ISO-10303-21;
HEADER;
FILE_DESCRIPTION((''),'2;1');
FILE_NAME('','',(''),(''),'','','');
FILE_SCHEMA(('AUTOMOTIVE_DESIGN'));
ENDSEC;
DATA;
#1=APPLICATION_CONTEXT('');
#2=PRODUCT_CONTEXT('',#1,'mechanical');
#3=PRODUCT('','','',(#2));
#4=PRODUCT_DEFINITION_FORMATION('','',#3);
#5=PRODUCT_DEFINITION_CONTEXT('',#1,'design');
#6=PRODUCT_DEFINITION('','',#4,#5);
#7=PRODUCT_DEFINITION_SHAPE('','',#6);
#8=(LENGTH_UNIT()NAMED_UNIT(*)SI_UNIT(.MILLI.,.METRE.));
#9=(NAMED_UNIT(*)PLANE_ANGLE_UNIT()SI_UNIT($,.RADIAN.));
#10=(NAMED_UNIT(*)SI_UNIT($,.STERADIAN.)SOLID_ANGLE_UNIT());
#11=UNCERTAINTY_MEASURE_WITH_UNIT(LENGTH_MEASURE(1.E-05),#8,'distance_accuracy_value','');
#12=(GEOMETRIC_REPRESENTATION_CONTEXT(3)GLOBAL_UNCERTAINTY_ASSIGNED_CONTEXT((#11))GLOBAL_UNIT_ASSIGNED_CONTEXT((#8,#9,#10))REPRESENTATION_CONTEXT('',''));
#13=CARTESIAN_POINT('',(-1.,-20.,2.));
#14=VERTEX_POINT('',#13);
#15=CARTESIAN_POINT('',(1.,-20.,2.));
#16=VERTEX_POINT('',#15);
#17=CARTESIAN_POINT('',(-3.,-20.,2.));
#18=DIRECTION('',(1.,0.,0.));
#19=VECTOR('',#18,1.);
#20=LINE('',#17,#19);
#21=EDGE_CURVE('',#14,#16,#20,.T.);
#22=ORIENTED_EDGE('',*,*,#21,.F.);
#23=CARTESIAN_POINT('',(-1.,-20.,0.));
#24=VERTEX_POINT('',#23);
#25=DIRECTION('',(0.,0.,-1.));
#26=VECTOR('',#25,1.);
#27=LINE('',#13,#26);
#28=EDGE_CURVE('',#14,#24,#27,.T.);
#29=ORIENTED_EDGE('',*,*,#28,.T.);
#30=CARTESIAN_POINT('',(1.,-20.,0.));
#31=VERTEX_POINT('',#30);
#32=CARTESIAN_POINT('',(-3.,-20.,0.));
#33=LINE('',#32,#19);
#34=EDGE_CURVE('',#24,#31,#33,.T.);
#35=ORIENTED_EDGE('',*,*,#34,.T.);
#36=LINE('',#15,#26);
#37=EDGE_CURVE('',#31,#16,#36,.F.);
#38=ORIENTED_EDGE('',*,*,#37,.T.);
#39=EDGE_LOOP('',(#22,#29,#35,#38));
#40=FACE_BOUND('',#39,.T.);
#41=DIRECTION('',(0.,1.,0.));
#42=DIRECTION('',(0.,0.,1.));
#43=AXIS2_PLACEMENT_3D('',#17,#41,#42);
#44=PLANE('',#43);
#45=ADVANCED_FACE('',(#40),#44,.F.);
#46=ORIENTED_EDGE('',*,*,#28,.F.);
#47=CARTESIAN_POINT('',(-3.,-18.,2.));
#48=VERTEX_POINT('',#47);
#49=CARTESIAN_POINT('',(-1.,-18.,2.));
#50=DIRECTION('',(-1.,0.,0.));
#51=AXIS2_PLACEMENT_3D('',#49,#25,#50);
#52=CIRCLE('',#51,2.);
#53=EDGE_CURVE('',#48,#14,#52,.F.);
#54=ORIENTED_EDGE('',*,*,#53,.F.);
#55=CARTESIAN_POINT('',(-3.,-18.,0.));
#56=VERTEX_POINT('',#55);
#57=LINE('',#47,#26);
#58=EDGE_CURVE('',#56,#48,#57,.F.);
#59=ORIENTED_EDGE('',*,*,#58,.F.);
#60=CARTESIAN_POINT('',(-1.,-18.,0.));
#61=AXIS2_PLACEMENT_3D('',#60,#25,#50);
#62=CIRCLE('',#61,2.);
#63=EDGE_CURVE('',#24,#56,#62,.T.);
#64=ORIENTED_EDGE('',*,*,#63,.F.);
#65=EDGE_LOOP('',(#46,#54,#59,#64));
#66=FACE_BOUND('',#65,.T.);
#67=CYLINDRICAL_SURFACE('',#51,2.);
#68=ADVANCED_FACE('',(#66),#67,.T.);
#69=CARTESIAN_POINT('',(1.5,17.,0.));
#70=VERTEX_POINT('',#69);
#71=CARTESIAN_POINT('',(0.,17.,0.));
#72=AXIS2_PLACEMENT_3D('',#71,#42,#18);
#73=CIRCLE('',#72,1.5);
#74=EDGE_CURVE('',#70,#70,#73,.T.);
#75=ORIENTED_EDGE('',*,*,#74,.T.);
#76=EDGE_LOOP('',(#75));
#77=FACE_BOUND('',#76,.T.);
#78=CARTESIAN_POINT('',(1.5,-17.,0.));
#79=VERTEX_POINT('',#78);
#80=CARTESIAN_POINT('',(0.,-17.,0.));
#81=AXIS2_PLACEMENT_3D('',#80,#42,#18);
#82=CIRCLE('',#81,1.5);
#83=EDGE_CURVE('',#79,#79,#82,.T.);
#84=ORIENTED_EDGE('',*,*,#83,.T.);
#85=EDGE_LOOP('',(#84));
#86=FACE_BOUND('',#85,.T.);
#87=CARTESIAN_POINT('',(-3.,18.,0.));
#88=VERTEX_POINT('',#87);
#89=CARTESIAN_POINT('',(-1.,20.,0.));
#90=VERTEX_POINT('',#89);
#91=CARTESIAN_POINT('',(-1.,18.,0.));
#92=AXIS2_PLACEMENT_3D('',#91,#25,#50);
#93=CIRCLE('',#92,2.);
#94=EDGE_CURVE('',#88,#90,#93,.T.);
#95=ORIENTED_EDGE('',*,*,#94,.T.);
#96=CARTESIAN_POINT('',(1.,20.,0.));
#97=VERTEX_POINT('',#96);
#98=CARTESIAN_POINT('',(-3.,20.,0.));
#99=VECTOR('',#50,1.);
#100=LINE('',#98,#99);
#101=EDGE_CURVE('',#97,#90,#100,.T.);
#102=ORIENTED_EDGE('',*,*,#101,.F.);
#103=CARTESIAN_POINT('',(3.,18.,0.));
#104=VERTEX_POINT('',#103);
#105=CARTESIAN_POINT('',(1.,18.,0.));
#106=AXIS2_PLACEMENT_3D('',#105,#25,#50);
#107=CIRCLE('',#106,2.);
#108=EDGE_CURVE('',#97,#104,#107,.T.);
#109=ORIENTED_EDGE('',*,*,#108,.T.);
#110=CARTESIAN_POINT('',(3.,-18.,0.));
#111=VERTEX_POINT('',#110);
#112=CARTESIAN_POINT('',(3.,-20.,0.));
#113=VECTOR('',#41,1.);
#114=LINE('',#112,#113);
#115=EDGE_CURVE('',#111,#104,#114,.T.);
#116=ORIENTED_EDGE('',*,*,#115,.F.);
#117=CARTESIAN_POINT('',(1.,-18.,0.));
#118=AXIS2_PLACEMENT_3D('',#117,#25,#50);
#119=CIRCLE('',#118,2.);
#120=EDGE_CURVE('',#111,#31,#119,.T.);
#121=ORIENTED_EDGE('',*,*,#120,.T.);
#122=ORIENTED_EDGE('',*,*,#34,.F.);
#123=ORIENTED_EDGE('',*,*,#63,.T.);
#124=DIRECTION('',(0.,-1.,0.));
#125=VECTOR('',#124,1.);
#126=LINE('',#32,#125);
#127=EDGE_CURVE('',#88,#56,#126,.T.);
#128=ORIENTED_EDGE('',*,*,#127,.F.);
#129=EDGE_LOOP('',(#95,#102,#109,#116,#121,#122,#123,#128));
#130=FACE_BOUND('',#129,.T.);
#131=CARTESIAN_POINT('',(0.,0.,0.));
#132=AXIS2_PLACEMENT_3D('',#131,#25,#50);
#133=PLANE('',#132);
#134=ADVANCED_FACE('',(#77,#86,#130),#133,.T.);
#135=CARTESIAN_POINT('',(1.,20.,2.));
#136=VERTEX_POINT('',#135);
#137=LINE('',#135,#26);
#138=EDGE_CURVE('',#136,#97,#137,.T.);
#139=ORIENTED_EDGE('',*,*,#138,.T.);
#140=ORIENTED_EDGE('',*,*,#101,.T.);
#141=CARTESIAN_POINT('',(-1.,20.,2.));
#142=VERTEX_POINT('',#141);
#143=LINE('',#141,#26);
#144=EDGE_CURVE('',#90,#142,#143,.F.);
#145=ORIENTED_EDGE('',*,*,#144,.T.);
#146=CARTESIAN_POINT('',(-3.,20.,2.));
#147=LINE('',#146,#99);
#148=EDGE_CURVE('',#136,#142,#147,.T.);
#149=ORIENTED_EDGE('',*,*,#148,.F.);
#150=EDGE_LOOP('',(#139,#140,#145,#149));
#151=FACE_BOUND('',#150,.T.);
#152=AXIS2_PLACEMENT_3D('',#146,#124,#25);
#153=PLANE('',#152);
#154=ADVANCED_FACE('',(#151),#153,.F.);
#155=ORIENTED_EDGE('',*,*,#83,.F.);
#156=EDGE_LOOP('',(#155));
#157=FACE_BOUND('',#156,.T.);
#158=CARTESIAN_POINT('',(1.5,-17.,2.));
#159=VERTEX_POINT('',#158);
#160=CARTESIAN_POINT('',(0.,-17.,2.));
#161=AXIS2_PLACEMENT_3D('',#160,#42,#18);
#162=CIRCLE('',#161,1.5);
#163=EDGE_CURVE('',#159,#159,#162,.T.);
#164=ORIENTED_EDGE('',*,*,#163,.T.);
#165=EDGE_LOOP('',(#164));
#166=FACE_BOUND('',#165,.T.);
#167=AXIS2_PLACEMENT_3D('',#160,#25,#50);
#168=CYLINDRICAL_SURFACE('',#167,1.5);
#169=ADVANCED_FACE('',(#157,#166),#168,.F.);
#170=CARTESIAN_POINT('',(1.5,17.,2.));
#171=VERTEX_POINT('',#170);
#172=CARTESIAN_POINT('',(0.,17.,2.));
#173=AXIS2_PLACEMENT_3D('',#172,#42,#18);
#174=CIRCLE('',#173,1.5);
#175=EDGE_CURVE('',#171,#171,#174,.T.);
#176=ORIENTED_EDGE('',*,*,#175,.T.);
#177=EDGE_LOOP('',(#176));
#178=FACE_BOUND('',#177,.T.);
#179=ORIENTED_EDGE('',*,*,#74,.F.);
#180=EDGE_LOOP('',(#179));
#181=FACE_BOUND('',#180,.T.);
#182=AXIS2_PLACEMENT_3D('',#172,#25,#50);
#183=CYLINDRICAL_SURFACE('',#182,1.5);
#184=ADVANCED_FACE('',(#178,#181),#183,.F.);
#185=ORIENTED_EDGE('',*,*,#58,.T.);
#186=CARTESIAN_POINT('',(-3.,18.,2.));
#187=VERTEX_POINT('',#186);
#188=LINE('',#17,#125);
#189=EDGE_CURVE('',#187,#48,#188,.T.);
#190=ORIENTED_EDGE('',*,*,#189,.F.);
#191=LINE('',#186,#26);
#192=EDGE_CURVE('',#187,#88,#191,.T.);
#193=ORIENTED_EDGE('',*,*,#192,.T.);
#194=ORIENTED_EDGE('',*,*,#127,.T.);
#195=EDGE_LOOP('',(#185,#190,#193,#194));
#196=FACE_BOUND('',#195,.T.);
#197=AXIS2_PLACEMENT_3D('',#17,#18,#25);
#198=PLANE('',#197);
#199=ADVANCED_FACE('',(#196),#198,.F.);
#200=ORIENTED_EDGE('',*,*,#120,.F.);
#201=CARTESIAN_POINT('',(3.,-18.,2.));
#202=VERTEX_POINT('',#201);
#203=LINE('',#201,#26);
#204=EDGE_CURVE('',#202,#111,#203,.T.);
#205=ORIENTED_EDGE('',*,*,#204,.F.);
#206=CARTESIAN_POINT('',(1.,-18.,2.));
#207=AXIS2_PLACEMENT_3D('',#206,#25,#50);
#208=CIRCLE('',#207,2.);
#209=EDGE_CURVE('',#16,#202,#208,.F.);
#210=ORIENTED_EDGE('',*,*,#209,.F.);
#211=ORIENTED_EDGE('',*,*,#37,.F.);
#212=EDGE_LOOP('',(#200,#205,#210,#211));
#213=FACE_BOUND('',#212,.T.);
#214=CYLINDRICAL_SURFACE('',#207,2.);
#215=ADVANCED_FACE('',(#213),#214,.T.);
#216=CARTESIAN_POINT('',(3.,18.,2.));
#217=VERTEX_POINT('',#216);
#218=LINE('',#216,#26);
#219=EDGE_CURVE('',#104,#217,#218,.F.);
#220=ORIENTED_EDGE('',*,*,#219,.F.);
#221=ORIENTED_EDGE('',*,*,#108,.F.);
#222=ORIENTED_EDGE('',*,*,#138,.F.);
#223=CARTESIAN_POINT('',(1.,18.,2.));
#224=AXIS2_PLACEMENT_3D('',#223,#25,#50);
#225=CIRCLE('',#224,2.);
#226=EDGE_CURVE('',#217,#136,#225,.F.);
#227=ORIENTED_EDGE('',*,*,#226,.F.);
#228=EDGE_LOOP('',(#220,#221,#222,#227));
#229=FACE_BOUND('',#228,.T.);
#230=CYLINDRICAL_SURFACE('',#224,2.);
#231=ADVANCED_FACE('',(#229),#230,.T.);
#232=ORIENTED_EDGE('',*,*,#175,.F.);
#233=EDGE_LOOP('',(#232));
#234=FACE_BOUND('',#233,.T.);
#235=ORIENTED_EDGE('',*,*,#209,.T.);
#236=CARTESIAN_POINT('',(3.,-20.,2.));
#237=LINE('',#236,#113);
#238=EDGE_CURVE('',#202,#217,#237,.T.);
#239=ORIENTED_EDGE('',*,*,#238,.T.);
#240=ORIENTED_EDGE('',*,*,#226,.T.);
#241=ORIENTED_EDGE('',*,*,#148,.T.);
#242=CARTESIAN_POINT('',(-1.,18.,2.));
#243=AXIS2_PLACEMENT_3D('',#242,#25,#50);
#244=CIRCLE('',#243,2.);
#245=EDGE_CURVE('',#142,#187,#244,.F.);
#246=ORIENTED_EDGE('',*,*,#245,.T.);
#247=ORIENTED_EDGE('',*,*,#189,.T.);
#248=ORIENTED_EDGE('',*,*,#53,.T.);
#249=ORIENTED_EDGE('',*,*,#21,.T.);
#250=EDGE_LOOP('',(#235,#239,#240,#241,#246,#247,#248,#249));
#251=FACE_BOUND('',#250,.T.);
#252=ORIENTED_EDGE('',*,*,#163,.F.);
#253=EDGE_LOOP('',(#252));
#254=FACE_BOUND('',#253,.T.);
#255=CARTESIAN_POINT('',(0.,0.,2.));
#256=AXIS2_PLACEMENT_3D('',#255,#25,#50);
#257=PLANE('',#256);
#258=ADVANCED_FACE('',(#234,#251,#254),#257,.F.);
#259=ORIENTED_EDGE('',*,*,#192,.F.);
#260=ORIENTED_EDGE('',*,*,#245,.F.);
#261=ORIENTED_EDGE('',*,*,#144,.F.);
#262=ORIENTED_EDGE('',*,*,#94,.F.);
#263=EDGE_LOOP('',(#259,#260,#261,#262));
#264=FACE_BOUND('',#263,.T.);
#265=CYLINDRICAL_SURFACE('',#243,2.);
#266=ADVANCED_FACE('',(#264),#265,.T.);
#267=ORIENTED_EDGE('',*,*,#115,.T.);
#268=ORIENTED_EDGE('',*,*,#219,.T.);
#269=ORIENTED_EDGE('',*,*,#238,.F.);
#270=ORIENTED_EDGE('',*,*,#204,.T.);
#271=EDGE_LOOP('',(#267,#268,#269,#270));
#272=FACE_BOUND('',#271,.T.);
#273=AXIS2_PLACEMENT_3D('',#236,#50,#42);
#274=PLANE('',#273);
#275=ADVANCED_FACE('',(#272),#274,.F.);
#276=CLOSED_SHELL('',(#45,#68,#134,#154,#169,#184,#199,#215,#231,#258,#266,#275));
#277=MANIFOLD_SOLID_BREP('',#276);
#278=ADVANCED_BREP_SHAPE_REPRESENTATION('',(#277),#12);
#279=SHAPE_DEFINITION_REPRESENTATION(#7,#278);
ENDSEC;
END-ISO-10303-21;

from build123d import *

# Parameters (mm, degrees)
ESQUISSE2_W        = 6
ESQUISSE2_H        = 40
ESQUISSE2_R        = 1.5
BOSS_EXTRU_2_DEPTH = 2
CONG_2_R           = 2


with BuildPart() as part:
    # Esquisse2 → Boss.-Extru.2 (new body)
    with BuildSketch(Plane.XY):
        Rectangle(ESQUISSE2_W, ESQUISSE2_H)
        with Locations((0, 17)):
            Circle(ESQUISSE2_R, mode=Mode.SUBTRACT)
        with Locations((0, -17)):
            Circle(ESQUISSE2_R, mode=Mode.SUBTRACT)
    extrude(amount=BOSS_EXTRU_2_DEPTH)

    # Congé2
    cong_2_edges = [part.edges().sort_by_distance(p)[0] for p in [
        (3, -20, 1),
        (-3, -20, 1),
        (-3, 20, 1),
        (3, 20, 1),
    ]]
    fillet(cong_2_edges, radius=CONG_2_R)


solid = part.part
